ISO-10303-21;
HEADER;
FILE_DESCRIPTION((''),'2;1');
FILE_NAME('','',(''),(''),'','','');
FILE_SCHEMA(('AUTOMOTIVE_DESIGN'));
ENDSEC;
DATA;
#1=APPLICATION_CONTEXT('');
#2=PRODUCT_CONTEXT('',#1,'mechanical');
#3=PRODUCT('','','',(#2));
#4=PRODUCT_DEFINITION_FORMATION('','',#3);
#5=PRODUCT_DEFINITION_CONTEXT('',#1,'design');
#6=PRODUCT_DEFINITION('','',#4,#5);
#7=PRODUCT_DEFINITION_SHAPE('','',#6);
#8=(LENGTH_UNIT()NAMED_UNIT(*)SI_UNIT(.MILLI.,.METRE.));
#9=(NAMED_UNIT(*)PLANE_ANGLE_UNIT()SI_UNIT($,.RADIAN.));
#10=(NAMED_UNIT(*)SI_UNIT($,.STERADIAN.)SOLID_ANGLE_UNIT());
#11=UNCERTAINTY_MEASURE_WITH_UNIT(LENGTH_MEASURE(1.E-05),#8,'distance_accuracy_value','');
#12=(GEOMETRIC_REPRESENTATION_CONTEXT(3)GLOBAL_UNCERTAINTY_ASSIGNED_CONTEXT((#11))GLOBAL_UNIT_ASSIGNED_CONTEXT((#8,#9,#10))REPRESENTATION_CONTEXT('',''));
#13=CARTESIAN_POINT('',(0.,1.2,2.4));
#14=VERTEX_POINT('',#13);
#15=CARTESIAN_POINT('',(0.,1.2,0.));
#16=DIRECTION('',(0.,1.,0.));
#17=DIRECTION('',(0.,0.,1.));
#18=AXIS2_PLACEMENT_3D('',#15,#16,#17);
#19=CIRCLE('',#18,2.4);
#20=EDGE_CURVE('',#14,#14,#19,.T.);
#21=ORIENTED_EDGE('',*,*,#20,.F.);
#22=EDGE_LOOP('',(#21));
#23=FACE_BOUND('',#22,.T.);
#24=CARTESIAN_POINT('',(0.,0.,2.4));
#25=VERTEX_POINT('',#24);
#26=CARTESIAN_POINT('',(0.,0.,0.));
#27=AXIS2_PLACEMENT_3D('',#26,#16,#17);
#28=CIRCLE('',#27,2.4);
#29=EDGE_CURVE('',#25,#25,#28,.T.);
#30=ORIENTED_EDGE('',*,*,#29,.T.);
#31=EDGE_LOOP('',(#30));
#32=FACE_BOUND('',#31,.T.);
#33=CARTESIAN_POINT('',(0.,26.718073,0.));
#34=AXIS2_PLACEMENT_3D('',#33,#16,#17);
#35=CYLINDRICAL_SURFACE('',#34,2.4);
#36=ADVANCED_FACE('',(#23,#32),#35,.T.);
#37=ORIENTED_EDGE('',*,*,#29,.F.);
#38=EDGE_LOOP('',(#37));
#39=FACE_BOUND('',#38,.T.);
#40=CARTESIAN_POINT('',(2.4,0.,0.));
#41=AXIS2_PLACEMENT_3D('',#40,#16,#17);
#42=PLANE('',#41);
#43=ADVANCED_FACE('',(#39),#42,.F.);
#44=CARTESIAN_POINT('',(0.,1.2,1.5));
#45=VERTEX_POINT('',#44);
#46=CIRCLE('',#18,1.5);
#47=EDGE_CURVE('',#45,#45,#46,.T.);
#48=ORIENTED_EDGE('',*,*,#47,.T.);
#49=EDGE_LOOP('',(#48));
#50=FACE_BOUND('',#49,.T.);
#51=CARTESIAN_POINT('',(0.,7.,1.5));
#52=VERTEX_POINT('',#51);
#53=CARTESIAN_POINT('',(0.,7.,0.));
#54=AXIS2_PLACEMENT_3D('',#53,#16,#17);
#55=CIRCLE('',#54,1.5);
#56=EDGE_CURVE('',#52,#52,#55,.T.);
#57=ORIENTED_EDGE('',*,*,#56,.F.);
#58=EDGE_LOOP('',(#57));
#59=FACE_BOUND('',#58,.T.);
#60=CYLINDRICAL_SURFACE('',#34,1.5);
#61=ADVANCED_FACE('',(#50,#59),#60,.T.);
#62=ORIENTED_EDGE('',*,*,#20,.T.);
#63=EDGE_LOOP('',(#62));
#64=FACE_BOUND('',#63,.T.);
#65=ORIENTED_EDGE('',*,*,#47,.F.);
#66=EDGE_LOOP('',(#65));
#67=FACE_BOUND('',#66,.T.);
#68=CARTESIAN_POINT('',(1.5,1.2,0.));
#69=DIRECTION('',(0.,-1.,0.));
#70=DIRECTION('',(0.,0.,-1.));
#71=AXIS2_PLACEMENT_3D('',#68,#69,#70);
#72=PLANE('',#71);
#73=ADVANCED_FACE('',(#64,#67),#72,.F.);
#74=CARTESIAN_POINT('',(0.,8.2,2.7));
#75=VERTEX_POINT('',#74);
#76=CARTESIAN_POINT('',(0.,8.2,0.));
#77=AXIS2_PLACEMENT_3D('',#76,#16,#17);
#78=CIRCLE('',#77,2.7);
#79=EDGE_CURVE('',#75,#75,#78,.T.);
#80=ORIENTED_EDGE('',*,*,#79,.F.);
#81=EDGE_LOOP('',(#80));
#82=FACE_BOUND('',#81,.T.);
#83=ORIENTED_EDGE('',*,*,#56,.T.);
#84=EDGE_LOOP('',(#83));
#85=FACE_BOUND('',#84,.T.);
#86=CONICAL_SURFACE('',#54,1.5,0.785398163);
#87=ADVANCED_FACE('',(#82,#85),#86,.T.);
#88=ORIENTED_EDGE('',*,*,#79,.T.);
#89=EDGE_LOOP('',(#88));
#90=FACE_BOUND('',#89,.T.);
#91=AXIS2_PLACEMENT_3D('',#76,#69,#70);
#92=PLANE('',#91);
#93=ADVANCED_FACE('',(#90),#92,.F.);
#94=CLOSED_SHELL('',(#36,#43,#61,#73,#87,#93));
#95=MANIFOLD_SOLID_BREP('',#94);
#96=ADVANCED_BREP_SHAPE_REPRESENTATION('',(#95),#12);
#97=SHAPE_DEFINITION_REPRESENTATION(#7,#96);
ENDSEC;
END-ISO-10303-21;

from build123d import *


with BuildPart() as part:
    # Эскиз1 → Повернуть1 (revolve)
    with BuildSketch(Plane.XY, mode=Mode.PRIVATE) as revolve_1_sk:
        Polygon((0, 8.2), (2.7, 8.2), (1.5, 7), (1.5, 1.2), (2.4, 1.2), (2.4, 0), (0, 0), align=None)
    revolve(revolve_1_sk.sketch.rotate(Axis((0, 26.718072965, 0), (0, -1, 0)), 90), axis=Axis((0, 26.718072965, 0), (0, -1, 0)))


solid = part.part
